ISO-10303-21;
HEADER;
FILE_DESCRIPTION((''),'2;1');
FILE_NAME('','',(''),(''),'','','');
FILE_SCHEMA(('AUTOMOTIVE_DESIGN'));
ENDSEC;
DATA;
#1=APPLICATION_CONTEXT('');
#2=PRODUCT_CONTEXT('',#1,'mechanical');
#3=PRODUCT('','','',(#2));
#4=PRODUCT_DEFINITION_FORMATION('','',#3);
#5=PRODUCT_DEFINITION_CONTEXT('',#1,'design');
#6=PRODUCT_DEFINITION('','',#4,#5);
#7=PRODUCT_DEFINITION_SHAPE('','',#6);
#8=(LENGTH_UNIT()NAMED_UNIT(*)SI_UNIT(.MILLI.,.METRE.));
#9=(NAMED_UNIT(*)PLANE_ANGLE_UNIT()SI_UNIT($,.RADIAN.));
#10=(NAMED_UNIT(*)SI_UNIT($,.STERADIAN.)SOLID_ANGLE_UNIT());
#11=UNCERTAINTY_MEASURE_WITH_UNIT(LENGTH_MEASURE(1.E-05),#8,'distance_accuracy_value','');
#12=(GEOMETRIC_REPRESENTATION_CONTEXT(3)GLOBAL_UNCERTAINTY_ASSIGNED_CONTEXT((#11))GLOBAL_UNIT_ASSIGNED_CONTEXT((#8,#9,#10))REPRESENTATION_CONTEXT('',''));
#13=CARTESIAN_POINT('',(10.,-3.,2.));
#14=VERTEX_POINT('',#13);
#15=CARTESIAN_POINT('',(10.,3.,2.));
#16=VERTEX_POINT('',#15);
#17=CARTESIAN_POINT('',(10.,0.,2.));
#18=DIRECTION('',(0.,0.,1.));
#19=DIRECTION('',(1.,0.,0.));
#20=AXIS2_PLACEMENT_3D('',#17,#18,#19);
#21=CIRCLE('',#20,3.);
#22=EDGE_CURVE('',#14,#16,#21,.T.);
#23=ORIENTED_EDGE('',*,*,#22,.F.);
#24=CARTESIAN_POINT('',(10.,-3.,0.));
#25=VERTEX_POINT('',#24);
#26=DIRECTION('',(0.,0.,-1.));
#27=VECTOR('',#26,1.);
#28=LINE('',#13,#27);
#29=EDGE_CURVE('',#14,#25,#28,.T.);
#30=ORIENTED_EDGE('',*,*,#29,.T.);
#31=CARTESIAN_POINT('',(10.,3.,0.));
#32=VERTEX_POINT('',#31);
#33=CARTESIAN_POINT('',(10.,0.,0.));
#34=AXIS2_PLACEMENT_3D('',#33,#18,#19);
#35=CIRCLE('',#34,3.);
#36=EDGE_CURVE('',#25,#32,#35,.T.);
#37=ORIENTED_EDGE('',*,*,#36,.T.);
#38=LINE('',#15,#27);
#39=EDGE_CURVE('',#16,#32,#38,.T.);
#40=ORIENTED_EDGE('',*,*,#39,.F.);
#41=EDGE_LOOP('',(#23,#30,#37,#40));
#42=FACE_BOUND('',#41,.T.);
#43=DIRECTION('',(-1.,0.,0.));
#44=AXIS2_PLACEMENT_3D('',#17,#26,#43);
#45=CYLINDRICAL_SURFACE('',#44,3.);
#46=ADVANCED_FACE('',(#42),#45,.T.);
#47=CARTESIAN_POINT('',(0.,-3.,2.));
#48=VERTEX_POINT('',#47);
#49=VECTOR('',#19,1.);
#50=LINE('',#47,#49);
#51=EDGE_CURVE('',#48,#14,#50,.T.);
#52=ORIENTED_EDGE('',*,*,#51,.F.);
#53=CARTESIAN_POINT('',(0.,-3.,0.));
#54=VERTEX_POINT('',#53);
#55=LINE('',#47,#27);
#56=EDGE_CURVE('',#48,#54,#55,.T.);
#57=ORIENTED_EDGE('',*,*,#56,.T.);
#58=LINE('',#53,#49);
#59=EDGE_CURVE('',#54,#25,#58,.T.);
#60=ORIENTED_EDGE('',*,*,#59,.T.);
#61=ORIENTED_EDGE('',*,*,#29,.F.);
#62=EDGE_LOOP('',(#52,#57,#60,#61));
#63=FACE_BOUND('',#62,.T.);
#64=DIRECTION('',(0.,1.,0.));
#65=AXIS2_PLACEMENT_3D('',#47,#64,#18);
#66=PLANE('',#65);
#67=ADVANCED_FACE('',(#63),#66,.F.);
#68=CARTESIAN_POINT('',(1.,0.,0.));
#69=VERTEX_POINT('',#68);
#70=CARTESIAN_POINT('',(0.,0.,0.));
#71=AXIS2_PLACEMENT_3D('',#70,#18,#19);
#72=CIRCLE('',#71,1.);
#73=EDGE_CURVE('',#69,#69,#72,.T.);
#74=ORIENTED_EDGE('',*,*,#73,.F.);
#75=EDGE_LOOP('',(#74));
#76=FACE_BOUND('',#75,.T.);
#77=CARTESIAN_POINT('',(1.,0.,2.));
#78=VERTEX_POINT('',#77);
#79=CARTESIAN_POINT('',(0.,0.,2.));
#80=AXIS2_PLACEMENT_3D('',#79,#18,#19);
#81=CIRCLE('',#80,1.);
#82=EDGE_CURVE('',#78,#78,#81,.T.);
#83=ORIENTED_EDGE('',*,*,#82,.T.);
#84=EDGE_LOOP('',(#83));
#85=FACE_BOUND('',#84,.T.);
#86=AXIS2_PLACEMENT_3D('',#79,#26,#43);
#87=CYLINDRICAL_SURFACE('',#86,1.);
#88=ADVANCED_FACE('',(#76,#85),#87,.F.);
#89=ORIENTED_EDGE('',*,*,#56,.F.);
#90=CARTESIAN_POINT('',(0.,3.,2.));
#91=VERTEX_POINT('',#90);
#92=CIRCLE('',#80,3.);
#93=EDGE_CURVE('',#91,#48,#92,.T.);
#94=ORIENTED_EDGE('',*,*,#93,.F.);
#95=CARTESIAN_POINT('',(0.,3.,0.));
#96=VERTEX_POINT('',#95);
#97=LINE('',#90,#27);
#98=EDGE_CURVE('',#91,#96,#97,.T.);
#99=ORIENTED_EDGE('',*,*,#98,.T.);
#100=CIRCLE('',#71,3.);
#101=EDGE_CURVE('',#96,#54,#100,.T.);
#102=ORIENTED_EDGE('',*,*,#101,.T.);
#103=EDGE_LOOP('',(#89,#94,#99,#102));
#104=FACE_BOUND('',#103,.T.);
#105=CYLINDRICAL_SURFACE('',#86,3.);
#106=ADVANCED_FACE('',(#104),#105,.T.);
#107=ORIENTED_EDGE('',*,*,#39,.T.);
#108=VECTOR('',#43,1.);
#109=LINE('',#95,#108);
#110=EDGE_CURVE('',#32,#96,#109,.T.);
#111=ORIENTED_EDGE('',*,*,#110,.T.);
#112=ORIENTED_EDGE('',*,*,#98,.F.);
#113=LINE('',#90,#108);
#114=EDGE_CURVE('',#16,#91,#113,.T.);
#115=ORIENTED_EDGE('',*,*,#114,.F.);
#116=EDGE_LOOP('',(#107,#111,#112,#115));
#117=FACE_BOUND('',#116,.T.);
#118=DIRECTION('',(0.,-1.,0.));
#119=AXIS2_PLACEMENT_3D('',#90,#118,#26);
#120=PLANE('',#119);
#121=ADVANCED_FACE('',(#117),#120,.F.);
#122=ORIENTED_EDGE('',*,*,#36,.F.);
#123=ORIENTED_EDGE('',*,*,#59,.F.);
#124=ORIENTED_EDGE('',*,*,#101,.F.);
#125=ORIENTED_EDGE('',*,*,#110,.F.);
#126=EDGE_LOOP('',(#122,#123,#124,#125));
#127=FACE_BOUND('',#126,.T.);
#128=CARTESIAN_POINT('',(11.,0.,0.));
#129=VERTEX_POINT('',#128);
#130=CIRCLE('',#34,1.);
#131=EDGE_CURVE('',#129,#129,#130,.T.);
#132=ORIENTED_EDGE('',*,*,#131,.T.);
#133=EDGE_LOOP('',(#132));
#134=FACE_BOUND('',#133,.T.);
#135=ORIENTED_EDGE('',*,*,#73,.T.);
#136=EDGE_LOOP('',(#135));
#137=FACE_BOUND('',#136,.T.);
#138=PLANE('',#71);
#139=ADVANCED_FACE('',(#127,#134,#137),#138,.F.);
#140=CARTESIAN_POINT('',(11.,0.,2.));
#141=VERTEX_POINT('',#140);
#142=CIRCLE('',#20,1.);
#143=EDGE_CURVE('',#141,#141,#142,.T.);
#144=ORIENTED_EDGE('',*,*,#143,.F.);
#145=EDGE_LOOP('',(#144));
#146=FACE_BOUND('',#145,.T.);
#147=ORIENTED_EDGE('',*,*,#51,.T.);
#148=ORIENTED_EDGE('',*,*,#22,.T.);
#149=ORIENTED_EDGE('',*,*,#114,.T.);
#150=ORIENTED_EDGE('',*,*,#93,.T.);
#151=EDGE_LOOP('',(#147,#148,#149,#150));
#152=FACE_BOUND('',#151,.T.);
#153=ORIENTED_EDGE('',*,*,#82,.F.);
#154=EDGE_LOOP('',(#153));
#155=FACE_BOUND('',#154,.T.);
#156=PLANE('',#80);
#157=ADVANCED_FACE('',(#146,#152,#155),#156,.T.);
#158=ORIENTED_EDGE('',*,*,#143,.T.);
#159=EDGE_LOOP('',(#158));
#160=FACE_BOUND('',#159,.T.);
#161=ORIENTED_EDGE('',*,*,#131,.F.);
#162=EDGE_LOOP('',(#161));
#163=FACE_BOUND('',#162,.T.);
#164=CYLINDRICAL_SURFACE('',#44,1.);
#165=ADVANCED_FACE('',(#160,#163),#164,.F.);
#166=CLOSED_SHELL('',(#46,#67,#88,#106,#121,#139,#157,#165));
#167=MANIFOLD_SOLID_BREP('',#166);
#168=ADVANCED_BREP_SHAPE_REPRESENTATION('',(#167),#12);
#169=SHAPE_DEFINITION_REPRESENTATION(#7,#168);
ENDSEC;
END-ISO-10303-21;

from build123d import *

# Parameters (mm, degrees)
SKETCH1_R           = 1
BOSS_EXTRUDE1_DEPTH = 2


with BuildPart() as part:
    # Sketch1 → Boss-Extrude1 (new body)
    with BuildSketch(Plane.XY):
        with BuildLine():
            Line((0, 3), (10, 3))
            ThreePointArc((10, 3), (13, 0), (10, -3))
            Line((10, -3), (0, -3))
            ThreePointArc((0, -3), (-3, 0), (0, 3))
        make_face()
        with Locations((10, 0)):
            Circle(SKETCH1_R, mode=Mode.SUBTRACT)
        Circle(SKETCH1_R, mode=Mode.SUBTRACT)
    extrude(amount=BOSS_EXTRUDE1_DEPTH)


solid = part.part
